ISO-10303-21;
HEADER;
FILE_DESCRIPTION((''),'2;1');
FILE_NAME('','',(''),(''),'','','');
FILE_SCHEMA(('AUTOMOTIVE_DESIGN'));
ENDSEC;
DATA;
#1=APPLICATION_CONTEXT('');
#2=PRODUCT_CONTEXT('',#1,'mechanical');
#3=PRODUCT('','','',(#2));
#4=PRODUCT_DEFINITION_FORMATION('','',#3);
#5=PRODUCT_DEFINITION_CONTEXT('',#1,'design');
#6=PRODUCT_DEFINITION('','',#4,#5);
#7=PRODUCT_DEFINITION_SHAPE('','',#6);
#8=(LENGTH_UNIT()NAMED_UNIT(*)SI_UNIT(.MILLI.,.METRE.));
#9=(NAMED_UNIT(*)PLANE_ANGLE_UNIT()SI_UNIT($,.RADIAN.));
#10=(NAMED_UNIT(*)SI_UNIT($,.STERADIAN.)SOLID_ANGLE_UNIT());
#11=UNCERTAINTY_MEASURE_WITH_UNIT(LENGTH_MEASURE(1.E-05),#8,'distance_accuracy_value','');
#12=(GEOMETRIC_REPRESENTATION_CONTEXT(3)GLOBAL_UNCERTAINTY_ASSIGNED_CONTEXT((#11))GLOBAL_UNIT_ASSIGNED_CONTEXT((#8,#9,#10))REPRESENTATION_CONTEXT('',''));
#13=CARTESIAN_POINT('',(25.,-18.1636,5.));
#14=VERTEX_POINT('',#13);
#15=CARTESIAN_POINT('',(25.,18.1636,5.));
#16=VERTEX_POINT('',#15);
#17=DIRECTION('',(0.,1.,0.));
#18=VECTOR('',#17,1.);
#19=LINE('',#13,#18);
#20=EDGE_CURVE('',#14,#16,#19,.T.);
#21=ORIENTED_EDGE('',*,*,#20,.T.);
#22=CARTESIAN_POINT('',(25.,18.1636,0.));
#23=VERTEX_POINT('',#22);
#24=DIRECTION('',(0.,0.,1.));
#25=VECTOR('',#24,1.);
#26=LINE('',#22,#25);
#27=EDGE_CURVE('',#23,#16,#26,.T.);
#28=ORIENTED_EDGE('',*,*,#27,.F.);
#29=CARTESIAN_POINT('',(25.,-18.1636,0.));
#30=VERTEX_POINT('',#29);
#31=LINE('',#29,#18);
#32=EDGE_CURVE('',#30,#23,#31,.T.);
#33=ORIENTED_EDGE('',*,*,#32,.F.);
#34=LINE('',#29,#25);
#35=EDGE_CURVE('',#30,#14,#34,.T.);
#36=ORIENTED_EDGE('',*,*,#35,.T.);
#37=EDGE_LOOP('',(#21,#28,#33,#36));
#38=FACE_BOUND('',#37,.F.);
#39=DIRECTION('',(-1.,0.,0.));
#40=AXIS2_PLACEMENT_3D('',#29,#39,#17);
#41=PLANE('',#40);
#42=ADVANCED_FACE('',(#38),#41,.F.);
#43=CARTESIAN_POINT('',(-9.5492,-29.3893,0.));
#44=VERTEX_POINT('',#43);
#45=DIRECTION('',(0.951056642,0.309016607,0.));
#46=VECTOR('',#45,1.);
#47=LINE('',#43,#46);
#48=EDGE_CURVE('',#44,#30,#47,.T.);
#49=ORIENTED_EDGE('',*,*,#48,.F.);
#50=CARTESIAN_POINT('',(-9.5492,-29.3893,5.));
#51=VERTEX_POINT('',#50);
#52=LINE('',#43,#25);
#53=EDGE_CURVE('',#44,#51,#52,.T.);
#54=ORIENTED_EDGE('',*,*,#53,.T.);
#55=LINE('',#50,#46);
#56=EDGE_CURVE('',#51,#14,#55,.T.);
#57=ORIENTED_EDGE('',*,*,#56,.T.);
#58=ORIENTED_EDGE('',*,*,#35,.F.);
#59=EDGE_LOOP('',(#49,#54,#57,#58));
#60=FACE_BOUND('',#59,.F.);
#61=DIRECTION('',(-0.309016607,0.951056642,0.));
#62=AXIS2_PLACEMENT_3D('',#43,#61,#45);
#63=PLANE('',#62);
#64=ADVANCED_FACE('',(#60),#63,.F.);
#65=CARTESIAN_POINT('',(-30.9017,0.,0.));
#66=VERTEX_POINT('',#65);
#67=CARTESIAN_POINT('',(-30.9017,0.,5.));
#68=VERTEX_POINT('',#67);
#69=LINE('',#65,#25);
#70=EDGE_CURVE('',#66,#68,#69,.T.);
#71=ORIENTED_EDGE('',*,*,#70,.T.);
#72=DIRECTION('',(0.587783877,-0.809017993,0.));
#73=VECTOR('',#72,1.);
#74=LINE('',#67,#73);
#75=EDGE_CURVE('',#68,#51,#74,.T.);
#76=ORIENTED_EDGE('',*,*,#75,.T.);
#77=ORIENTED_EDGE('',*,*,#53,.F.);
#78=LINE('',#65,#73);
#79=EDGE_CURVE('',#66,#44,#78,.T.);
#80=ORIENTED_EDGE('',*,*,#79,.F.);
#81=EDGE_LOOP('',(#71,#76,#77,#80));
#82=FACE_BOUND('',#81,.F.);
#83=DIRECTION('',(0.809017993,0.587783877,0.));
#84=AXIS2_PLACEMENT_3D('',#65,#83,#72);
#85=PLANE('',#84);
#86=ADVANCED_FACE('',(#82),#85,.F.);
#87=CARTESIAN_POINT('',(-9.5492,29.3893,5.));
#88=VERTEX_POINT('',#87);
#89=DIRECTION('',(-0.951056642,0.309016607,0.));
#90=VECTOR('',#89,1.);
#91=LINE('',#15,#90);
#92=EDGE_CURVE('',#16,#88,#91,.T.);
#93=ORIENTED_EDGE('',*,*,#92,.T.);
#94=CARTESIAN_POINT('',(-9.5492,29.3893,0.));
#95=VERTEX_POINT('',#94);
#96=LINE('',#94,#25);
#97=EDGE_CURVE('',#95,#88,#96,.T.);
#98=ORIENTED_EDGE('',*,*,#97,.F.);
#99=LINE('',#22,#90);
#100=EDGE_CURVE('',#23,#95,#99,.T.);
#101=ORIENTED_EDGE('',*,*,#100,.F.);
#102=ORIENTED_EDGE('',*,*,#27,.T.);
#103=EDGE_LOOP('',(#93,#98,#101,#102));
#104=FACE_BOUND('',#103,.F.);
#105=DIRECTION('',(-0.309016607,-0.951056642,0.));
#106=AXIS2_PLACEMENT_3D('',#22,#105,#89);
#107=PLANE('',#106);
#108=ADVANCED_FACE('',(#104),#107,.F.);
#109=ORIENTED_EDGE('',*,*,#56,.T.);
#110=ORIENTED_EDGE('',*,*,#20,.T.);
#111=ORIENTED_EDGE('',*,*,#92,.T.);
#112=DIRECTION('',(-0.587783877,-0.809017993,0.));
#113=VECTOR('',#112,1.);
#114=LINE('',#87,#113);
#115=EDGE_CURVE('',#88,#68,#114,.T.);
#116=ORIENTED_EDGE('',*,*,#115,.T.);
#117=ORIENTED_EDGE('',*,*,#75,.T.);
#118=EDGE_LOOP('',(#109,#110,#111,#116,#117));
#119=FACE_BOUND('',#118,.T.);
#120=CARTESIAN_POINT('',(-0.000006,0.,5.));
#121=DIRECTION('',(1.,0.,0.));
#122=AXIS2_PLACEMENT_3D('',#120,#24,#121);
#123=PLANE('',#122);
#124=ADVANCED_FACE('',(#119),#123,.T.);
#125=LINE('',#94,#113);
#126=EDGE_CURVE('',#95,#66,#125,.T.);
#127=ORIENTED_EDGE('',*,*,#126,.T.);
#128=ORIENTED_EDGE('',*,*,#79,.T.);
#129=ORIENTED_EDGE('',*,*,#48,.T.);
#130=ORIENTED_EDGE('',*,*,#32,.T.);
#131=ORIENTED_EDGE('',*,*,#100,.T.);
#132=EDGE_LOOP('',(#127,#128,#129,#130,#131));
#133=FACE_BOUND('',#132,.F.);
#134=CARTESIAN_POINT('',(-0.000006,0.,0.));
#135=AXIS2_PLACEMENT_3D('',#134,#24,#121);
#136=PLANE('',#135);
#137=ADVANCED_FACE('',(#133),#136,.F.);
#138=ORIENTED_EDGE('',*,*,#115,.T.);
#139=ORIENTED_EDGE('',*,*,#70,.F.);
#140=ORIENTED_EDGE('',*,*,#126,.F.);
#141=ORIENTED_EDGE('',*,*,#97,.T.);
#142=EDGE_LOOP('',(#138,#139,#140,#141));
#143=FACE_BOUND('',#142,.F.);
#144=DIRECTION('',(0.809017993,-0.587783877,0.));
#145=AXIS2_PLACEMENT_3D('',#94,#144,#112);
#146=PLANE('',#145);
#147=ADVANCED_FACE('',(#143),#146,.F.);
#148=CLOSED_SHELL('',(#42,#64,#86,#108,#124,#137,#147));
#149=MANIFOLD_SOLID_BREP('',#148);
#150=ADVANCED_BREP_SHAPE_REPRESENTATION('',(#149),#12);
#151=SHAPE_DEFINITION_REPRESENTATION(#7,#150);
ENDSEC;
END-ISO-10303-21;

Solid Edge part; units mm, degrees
sketch "Sketch1" plane through (0, 0, 0) normal (0, 0, 1) x (1, 0, 0)
  line L0 (-9.5492, -29.3893) -> (25, -18.1636)
  line L1 (25, -18.1636) -> (25, 18.1636)
  line L2 (25, 18.1636) -> (-9.5492, 29.3893)
  line L3 (-9.5492, 29.3893) -> (-30.9017, 0)
  line L4 (-30.9017, 0) -> (-9.5492, -29.3893)
extrude "Protrusion1" add sketch "Sketch1" along normal blind 5
